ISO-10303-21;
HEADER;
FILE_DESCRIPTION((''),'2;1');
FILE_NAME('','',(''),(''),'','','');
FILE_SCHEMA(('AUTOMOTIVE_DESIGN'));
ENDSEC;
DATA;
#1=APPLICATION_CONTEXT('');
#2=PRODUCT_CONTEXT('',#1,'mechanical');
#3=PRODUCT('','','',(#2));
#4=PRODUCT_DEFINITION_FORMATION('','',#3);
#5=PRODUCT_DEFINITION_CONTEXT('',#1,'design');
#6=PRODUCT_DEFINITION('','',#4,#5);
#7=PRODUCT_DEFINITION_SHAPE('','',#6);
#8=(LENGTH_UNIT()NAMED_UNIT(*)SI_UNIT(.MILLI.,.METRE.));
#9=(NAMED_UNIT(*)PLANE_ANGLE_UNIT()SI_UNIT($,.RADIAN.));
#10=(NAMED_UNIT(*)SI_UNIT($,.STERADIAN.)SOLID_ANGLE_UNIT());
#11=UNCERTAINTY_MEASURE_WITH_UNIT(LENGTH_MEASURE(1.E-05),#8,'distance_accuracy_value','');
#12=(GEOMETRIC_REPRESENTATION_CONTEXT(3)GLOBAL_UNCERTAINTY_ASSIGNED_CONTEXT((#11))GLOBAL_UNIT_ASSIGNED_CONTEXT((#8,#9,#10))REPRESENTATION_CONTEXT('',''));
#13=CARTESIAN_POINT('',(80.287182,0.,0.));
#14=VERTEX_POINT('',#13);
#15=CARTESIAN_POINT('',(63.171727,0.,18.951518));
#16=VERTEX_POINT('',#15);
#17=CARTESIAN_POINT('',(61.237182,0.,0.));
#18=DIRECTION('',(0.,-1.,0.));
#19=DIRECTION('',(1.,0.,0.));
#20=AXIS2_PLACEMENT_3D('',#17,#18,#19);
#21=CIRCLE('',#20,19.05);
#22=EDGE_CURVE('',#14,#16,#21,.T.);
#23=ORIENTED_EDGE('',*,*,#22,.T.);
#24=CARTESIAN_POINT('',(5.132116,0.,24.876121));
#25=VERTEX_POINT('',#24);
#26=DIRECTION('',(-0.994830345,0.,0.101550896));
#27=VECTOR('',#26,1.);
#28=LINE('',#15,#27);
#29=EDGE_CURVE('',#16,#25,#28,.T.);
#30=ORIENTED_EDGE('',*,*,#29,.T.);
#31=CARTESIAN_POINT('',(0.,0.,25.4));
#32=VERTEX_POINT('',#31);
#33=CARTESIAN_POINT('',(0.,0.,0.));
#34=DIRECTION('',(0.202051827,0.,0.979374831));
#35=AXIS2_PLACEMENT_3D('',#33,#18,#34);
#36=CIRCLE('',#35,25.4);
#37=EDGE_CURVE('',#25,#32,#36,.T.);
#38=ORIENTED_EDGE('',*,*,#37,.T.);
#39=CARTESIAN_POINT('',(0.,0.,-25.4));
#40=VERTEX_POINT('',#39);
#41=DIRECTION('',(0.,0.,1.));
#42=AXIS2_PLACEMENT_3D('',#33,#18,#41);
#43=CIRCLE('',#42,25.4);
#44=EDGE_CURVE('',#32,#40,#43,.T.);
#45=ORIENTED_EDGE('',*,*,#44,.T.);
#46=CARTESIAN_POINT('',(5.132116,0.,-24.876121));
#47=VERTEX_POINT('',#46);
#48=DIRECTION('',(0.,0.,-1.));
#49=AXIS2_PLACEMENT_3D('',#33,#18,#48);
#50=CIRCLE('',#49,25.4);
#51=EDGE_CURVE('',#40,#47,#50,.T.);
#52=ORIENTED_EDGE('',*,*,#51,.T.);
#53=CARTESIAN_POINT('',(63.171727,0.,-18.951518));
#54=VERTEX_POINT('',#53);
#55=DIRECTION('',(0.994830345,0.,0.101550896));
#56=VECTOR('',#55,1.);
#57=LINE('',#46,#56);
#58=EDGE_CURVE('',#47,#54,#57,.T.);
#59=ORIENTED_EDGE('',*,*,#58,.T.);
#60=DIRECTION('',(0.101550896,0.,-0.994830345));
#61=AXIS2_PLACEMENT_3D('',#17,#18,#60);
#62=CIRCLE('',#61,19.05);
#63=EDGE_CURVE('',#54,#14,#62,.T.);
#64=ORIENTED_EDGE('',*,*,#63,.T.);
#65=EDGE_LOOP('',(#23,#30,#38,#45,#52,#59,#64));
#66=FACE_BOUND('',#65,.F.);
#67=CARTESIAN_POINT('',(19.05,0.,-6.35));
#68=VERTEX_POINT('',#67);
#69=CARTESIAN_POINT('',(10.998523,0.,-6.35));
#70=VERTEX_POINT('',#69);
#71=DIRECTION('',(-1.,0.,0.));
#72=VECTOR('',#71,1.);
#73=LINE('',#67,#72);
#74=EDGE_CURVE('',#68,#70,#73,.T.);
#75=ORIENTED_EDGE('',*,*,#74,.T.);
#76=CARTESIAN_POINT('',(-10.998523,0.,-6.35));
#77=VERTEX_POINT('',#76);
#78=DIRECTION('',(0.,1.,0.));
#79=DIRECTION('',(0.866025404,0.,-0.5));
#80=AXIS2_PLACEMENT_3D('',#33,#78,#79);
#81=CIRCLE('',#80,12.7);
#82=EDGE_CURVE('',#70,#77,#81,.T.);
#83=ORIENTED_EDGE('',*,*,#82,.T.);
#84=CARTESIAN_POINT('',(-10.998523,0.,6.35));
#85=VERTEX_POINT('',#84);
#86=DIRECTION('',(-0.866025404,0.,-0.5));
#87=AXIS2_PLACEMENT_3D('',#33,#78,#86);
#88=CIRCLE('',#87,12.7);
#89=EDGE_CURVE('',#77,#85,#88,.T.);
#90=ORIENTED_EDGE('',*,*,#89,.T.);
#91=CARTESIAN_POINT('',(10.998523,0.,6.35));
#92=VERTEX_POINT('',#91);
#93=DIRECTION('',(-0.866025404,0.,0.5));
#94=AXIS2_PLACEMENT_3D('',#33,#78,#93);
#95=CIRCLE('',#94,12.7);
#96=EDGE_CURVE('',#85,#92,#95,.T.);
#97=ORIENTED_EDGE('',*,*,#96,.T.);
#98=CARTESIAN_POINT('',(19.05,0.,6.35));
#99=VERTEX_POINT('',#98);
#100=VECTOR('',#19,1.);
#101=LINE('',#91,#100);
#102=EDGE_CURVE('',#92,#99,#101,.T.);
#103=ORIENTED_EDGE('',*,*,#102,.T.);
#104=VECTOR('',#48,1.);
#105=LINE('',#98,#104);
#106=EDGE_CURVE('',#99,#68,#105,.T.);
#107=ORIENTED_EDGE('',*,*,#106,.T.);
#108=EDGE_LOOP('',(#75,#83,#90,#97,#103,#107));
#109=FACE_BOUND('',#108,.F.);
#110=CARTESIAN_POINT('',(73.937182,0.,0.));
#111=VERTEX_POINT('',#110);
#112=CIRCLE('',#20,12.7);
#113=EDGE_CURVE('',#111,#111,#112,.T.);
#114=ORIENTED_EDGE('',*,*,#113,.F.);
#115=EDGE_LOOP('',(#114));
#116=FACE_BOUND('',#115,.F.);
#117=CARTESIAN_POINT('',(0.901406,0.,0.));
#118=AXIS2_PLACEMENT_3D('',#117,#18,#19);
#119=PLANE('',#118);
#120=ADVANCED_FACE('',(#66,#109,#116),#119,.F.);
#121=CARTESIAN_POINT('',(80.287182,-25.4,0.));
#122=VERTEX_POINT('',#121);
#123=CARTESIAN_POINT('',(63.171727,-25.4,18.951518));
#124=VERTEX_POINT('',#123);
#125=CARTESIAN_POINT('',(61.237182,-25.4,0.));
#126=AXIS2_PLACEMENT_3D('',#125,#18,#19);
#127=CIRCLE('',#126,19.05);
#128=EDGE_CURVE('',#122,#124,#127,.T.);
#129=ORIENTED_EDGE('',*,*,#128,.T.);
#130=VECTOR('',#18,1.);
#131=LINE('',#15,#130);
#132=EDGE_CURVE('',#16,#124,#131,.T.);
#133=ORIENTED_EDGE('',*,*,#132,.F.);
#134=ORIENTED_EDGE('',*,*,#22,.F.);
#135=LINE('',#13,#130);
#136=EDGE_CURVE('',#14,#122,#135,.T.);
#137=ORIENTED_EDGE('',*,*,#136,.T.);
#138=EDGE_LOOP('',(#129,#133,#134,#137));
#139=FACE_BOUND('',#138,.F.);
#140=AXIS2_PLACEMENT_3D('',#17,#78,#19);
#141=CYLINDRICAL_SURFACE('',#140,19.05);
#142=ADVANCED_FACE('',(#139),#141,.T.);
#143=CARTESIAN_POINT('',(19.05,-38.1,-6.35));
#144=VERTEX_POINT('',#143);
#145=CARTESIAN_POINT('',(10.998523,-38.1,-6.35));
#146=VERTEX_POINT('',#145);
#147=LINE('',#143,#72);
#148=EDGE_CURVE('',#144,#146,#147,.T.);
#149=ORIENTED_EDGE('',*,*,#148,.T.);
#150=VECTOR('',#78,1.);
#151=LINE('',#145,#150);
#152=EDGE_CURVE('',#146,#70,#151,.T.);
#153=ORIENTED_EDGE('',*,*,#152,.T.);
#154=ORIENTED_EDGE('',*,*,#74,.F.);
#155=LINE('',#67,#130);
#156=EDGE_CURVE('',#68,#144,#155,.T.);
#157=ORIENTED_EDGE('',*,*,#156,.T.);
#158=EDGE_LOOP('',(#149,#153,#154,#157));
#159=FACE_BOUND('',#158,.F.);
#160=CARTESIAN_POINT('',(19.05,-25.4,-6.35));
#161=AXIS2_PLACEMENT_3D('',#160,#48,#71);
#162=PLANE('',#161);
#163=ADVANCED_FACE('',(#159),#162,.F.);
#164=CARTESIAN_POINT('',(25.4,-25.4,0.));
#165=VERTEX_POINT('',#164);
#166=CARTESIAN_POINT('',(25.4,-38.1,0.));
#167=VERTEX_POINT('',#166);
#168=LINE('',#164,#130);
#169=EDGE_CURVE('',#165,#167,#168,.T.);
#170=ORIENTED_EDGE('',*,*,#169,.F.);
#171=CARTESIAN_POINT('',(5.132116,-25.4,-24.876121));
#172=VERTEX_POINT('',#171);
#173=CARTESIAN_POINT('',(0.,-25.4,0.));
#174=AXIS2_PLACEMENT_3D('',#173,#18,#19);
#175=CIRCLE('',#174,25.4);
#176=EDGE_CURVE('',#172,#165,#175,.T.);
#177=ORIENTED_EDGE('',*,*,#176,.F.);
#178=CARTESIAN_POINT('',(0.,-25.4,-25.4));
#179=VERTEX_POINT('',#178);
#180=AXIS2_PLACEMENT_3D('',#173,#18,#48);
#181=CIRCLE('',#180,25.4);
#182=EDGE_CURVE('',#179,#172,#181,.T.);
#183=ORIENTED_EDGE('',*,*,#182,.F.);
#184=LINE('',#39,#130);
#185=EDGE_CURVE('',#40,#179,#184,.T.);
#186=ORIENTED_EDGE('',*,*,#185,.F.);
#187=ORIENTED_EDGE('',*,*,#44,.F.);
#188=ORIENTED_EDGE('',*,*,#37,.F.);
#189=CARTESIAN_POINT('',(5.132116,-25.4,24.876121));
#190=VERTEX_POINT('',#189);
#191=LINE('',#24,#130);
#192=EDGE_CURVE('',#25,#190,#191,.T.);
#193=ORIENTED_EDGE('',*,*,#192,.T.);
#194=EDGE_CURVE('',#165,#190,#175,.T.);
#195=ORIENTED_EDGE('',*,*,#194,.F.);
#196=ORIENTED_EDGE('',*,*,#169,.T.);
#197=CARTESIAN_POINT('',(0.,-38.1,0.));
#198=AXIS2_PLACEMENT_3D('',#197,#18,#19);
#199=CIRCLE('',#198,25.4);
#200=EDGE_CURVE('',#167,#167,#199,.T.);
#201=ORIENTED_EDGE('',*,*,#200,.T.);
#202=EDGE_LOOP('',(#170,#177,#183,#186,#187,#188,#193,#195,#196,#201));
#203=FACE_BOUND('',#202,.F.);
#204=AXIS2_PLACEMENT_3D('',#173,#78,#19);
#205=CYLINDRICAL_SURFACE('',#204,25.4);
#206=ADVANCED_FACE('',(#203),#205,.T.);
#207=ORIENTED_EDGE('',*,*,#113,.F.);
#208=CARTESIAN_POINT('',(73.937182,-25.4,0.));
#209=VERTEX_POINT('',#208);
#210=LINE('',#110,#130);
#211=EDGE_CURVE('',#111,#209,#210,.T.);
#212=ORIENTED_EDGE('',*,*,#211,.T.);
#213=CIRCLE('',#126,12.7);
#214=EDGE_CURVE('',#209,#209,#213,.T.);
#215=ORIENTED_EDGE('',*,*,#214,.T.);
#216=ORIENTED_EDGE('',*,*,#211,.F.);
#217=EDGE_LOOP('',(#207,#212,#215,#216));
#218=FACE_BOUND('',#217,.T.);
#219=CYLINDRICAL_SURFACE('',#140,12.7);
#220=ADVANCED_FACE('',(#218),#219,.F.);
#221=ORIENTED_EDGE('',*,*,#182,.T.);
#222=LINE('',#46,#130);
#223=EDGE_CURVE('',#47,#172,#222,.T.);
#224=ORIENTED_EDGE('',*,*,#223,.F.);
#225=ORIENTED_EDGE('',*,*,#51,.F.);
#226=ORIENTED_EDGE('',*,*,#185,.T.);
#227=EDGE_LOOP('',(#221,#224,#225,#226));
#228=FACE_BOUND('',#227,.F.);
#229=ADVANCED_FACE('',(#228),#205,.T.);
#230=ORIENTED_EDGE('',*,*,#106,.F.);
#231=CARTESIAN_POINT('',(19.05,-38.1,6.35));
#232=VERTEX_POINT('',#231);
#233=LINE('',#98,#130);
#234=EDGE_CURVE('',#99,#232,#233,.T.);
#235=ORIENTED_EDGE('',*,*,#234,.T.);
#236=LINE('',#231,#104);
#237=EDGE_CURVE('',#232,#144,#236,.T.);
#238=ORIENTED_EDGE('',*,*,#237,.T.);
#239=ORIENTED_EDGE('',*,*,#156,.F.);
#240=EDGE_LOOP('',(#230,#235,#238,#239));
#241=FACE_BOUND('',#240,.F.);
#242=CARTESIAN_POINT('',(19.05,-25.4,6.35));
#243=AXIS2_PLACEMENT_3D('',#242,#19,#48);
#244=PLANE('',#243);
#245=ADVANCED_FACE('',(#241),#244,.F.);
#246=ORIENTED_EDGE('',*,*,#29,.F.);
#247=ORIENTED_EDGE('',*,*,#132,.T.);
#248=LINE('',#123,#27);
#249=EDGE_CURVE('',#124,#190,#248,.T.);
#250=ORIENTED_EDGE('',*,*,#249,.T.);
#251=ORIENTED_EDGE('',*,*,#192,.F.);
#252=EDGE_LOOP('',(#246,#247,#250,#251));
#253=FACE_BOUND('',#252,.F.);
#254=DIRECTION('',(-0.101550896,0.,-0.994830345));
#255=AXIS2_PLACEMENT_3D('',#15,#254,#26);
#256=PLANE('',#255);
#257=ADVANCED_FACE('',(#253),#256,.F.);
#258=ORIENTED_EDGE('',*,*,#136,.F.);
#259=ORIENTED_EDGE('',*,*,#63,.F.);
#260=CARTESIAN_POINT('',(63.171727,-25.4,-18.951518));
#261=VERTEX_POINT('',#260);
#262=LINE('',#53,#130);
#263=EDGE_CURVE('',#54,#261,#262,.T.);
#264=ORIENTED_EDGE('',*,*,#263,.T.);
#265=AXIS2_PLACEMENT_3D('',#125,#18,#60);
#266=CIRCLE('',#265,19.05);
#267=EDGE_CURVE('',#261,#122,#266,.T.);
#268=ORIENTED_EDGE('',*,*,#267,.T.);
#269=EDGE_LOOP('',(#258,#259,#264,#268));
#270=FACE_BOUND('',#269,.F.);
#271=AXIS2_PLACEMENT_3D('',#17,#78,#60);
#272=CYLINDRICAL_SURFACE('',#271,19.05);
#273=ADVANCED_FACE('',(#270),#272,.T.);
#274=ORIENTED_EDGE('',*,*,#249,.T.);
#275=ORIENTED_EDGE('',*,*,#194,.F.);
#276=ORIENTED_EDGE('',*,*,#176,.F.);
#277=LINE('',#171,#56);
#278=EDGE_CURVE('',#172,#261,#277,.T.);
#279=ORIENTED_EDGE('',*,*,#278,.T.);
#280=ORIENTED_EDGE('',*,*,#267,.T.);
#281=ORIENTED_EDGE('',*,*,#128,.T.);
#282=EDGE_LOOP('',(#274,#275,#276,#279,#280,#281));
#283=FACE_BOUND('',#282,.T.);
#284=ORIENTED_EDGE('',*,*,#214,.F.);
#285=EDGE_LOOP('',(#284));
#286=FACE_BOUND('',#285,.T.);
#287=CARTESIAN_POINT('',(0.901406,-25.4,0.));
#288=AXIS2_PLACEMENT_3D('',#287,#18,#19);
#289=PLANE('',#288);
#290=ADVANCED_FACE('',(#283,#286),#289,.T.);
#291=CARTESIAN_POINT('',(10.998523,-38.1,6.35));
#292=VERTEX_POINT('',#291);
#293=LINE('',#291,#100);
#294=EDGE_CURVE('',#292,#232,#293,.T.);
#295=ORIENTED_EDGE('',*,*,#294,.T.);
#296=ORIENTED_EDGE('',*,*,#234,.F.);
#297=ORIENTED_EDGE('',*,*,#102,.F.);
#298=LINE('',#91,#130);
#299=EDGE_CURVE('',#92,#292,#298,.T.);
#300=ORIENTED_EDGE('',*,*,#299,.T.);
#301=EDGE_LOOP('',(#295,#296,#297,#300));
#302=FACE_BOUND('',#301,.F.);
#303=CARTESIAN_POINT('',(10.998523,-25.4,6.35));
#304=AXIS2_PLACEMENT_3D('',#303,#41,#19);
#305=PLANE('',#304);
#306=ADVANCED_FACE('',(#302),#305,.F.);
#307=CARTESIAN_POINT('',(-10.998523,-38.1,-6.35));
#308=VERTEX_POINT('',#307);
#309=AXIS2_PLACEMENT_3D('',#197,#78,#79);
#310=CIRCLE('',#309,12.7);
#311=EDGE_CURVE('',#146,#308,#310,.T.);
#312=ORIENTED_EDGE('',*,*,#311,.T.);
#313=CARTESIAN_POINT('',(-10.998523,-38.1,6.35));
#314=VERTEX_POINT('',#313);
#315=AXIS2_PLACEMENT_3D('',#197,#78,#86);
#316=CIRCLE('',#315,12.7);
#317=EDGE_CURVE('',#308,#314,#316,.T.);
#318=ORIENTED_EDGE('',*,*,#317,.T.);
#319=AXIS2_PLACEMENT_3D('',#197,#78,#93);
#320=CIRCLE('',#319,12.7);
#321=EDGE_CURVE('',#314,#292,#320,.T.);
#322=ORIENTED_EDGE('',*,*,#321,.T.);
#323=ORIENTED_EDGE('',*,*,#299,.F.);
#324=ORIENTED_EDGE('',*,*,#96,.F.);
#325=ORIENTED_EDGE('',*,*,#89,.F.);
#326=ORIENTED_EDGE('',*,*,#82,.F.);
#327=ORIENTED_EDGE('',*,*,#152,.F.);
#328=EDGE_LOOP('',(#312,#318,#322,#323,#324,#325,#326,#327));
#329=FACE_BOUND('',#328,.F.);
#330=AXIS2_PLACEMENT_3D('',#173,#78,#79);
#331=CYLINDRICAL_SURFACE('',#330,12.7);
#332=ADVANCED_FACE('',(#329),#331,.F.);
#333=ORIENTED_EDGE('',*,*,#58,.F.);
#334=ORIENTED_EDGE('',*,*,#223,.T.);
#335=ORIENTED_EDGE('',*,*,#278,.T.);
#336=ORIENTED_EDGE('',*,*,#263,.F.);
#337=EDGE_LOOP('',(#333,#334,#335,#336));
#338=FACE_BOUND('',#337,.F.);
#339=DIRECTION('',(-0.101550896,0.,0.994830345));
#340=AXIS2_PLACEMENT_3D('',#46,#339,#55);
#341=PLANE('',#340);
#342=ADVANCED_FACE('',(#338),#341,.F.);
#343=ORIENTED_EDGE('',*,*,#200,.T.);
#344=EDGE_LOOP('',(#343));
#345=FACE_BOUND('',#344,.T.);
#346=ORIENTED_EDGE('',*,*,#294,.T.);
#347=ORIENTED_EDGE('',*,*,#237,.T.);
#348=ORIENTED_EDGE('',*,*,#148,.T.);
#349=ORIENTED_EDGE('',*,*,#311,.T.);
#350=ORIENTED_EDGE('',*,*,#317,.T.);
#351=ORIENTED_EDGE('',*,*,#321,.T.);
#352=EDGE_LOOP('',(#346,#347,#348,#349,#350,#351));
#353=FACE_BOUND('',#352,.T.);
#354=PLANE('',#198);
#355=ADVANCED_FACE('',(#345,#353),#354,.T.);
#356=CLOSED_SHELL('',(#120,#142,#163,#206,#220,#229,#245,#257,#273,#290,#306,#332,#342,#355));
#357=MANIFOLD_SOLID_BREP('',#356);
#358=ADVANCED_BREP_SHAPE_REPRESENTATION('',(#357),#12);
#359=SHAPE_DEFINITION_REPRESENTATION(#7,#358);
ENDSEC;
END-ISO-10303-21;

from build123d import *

# Parameters (mm, degrees)
F0_R     = 12.7
F1_DEPTH = 25.4
F3_DEPTH = 12.7


with BuildPart() as f1:
    # F0 (on Front) → F1 (new body)
    with BuildSketch(Plane.XZ):
        with BuildLine():
            Line((5.1321164003, 24.8761207035), (0, 25.4))
            ThreePointArc((0, 25.4), (-25.4, 0), (0, -25.4))
            Line((0, -25.4), (5.1321164003, -24.8761207035))
            ThreePointArc((5.1321164003, -24.8761207035), (19.6915687106, -16.0437564715), (25.4, 0))
            ThreePointArc((25.4, 0), (19.6915687106, 16.0437564715), (5.1321164003, 24.8761207035))
        make_face()
        with BuildLine():
            ThreePointArc((-10.9985226281, 6.35), (0, 12.7), (10.9985226281, 6.35))
            Line((10.9985226281, 6.35), (19.05, 6.35))
            Line((19.05, 6.35), (19.05, -6.35))
            Line((19.05, -6.35), (10.9985226281, -6.35))
            ThreePointArc((10.9985226281, -6.35), (0, -12.7), (-10.9985226281, -6.35))
            Line((-10.9985226281, -6.35), (-19.05, -6.35))
            Line((-19.05, -6.35), (-19.05, 6.35))
            Line((-19.05, 6.35), (-10.9985226281, 6.35))
        make_face(mode=Mode.SUBTRACT)
        with BuildLine():
            Line((63.1717269104, 18.9515180731), (5.1321164003, 24.8761207035))
            ThreePointArc((5.1321164003, 24.8761207035), (19.6915687106, 16.0437564715), (25.4, 0))
            ThreePointArc((25.4, 0), (19.6915687106, -16.0437564715), (5.1321164003, -24.8761207035))
            Line((5.1321164003, -24.8761207035), (63.1717269104, -18.9515180731))
            ThreePointArc((63.1717269104, -18.9515180731), (42.1871823323, 0), (63.1717269104, 18.9515180731))
        make_face()
        with BuildLine():
            ThreePointArc((80.2871823323, 0), (75.3749964174, 12.7681131297), (63.1717269104, 18.9515180731))
            ThreePointArc((63.1717269104, 18.9515180731), (42.1871823323, 0), (63.1717269104, -18.9515180731))
            ThreePointArc((63.1717269104, -18.9515180731), (75.3749964174, -12.7681131297), (80.2871823323, 0))
        make_face()
        with Locations((61.2371823323, 0)):
            Circle(F0_R, mode=Mode.SUBTRACT)
        with BuildLine():
            ThreePointArc((-10.9985226281, -6.35), (-12.7, 0), (-10.9985226281, 6.35))
            Line((-10.9985226281, 6.35), (-19.05, 6.35))
            Line((-19.05, 6.35), (-19.05, -6.35))
            Line((-19.05, -6.35), (-10.9985226281, -6.35))
        make_face()
        with BuildLine():
            ThreePointArc((5.1321164003, 24.8761207035), (2.5793927708, 25.2686907641), (0, 25.4))
            Line((0, 25.4), (5.1321164003, 24.8761207035))
        make_face()
        with BuildLine():
            Line((5.1321164003, -24.8761207035), (0, -25.4))
            ThreePointArc((0, -25.4), (2.5793927708, -25.2686907641), (5.1321164003, -24.8761207035))
        make_face()
    extrude(amount=F1_DEPTH)

    # F2 (on face) → F3 (join)
    with BuildSketch(Plane.XZ.offset(25.4)):
        with BuildLine():
            ThreePointArc((5.1321164003, -24.8761207035), (19.6915687106, -16.0437564715), (25.4, 0))
            ThreePointArc((25.4, 0), (19.6915687106, 16.0437564715), (5.1321164003, 24.8761207035))
            ThreePointArc((5.1321164003, 24.8761207035), (-25.4, 0), (5.1321164003, -24.8761207035))
        make_face()
        with BuildLine():
            ThreePointArc((-10.9985226281, 6.35), (0, 12.7), (10.9985226281, 6.35))
            Line((10.9985226281, 6.35), (19.05, 6.35))
            Line((19.05, 6.35), (19.05, -6.35))
            Line((19.05, -6.35), (10.9985226281, -6.35))
            ThreePointArc((10.9985226281, -6.35), (0, -12.7), (-10.9985226281, -6.35))
            Line((-10.9985226281, -6.35), (-19.05, -6.35))
            Line((-19.05, -6.35), (-19.05, 6.35))
            Line((-19.05, 6.35), (-10.9985226281, 6.35))
        make_face(mode=Mode.SUBTRACT)
        with BuildLine():
            ThreePointArc((-10.9985226281, -6.35), (-12.7, 0), (-10.9985226281, 6.35))
            Line((-10.9985226281, 6.35), (-19.05, 6.35))
            Line((-19.05, 6.35), (-19.05, -6.35))
            Line((-19.05, -6.35), (-10.9985226281, -6.35))
        make_face()
    extrude(amount=F3_DEPTH)


solid = f1.part
